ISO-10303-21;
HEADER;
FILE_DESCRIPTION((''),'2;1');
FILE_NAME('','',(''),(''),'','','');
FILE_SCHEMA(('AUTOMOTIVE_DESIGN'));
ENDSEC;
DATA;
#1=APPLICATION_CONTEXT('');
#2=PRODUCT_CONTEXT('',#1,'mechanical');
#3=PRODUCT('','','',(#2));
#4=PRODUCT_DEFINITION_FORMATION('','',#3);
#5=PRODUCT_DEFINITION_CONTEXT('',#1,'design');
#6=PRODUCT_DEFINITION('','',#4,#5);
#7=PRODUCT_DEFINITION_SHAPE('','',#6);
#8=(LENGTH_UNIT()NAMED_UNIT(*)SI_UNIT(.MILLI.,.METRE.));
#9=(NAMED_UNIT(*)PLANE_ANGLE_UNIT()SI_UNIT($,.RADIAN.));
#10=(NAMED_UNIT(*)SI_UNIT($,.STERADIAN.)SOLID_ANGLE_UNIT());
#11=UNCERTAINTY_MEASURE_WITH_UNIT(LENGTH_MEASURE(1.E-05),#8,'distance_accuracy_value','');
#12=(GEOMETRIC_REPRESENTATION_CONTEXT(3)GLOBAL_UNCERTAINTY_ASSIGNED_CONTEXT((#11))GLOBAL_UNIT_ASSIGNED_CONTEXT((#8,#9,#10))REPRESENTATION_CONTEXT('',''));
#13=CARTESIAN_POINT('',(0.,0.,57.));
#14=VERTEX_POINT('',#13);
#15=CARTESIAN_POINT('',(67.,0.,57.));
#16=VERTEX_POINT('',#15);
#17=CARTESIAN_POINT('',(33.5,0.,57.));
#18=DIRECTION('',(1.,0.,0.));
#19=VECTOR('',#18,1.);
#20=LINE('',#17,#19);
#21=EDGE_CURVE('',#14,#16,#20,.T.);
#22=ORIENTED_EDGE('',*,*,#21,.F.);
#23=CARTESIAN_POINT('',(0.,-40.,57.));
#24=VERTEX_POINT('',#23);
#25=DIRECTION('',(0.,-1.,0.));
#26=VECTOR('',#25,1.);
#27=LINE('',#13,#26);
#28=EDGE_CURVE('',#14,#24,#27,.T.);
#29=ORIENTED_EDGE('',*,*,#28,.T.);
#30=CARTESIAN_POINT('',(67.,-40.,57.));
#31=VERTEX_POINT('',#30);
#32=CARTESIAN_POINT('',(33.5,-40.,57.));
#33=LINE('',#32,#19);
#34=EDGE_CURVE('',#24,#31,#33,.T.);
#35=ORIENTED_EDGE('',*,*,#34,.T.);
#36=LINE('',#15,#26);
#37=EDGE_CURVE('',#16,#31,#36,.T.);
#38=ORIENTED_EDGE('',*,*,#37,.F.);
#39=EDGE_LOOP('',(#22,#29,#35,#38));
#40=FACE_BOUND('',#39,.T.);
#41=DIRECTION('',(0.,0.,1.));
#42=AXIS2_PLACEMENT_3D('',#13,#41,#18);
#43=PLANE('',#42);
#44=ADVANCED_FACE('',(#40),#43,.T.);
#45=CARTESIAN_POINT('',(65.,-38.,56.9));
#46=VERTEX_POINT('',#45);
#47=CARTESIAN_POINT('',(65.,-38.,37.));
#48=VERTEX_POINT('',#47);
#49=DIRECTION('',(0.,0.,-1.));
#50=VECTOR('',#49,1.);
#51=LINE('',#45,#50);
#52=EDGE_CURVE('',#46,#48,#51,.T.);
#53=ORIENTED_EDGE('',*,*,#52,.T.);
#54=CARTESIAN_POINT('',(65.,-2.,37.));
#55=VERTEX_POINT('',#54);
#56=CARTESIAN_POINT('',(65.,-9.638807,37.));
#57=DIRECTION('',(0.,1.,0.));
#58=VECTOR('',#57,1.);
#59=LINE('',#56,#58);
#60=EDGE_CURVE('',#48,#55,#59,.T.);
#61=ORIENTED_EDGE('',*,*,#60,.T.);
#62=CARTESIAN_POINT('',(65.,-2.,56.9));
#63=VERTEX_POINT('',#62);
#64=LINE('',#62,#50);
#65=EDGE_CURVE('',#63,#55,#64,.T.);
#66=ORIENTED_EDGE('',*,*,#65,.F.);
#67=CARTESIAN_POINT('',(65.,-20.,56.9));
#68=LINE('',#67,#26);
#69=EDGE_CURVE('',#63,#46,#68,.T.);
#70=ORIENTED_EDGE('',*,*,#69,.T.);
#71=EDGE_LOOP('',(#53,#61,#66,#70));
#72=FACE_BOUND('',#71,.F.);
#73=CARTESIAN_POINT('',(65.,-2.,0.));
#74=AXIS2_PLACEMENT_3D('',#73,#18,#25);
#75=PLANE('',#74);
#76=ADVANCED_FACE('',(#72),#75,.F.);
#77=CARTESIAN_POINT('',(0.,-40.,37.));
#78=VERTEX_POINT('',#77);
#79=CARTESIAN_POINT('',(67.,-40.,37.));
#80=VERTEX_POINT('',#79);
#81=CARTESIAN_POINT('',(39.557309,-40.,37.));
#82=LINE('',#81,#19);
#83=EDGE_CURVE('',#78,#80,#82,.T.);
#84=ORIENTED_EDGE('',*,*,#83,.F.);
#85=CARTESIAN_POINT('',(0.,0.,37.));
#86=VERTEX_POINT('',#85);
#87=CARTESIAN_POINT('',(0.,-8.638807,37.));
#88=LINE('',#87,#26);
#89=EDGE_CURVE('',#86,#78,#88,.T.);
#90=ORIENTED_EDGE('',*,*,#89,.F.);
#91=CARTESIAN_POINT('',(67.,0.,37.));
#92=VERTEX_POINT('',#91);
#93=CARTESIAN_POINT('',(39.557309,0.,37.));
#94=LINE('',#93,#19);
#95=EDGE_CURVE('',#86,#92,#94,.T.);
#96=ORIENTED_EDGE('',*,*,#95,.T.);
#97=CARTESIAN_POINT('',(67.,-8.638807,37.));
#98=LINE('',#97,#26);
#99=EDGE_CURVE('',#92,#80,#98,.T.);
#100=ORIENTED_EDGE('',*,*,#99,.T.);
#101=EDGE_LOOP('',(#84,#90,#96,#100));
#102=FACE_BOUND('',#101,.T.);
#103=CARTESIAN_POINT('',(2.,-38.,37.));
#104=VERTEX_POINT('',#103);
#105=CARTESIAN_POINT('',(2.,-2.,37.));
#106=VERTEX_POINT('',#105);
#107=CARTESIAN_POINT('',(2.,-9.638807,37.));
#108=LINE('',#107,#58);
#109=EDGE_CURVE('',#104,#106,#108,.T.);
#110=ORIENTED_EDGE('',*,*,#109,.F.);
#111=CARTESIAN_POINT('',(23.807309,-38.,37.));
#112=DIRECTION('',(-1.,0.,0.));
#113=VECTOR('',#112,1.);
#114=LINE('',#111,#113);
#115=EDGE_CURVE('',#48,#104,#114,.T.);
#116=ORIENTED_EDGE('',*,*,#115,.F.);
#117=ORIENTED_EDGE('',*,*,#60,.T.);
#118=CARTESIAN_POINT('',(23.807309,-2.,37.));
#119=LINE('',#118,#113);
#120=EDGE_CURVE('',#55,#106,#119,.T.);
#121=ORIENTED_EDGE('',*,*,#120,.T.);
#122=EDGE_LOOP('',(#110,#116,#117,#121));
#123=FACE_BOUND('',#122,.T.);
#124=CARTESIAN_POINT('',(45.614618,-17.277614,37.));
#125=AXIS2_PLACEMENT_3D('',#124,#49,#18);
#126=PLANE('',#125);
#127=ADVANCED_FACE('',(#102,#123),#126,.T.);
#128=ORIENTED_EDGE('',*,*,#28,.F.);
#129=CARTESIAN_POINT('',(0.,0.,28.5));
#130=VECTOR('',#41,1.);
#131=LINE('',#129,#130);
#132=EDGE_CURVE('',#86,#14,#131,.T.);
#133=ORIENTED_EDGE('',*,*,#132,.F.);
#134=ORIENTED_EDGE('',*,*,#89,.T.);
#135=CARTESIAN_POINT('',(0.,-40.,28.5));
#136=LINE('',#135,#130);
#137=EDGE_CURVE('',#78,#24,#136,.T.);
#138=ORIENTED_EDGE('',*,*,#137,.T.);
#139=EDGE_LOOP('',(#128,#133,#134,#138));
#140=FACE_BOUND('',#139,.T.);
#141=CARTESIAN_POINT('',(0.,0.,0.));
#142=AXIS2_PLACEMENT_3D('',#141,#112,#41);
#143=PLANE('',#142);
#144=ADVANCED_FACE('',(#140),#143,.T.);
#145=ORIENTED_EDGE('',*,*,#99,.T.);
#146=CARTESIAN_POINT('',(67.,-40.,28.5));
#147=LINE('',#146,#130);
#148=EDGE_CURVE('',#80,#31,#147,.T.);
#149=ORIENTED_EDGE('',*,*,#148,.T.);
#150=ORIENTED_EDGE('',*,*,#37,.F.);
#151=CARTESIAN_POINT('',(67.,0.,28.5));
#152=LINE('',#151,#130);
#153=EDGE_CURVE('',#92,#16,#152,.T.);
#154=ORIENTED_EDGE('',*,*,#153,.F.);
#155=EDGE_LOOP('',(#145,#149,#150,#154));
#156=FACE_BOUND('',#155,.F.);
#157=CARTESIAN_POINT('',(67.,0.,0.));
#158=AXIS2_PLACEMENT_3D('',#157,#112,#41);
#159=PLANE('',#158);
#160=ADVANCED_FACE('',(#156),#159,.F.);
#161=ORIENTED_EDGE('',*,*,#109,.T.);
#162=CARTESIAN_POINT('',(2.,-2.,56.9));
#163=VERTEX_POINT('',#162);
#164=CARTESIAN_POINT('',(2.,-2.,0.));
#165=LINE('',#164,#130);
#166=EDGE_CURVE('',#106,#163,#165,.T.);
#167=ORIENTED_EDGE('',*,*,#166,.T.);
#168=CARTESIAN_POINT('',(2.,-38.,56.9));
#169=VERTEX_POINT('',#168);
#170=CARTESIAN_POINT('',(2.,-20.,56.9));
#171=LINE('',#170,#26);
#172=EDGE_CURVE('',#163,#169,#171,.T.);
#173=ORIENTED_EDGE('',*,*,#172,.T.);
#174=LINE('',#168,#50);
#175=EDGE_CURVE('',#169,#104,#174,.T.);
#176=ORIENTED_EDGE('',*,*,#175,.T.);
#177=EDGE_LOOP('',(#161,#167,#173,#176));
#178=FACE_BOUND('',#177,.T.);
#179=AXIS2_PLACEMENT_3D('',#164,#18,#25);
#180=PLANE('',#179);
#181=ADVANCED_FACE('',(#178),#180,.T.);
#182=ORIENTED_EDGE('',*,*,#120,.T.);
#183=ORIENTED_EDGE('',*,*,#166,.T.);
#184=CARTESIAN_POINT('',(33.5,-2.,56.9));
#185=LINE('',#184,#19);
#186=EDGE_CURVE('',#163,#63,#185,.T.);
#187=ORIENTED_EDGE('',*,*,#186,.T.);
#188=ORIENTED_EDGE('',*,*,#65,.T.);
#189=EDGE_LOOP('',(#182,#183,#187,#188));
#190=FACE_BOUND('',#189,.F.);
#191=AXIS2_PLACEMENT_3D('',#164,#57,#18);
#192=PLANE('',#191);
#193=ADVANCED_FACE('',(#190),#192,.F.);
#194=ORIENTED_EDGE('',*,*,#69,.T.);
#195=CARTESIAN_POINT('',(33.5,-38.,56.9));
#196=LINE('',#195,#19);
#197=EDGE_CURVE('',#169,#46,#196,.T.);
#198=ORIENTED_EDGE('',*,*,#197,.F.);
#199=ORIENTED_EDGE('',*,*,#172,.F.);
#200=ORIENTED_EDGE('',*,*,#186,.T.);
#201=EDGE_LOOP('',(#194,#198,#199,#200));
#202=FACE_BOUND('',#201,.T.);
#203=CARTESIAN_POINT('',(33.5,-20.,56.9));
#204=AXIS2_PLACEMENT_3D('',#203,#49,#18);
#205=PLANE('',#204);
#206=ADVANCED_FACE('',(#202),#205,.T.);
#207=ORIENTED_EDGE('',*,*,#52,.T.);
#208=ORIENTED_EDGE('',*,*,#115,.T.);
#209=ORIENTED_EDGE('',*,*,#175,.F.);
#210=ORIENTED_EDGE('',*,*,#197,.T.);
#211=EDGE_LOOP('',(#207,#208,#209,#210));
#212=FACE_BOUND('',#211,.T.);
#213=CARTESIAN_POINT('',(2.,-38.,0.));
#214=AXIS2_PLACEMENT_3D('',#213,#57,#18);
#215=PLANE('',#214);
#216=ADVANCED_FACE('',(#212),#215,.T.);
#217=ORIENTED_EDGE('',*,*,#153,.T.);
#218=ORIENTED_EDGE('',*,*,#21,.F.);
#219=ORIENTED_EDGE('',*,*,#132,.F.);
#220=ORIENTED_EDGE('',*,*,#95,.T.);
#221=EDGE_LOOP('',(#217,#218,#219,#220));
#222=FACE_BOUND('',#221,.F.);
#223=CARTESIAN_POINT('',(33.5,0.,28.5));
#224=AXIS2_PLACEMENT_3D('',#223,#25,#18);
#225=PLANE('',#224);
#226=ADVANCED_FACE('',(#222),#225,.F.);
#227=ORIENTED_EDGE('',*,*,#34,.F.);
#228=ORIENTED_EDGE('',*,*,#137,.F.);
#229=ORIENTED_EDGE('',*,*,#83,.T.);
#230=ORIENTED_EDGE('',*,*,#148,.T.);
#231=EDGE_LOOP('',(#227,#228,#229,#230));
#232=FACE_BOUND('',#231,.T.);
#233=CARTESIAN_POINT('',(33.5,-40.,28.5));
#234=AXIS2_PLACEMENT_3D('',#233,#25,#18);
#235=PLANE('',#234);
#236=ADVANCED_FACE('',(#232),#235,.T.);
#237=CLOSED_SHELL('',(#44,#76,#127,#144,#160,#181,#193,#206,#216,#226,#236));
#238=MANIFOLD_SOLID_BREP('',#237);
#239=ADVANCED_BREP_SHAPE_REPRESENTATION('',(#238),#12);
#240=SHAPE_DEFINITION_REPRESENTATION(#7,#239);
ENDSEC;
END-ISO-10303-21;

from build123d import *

# Parameters (mm, degrees)
F0_W     = 67
F0_H     = 57
F1_DEPTH = 40
F2_W     = 63
F2_H     = 36
F3_DEPTH = 55
F4_DEPTH = 56.9
F5_W     = 141.291812
F5_H     = 94.46678
F6_DEPTH = 20
F7_W     = 154.631503
F7_H     = 78.676945
F8_DEPTH = 17


with BuildPart() as f1:
    # F0 (on Front) → F1 (new body)
    with BuildSketch(Plane.XZ):
        with Locations((33.5, 28.5)):
            Rectangle(F0_W, F0_H)
    extrude(amount=F1_DEPTH)

    # F2 (on face) → F3 (cut)
    with BuildSketch(Plane(origin=(0, 0, 0), x_dir=(1, 0, 0), z_dir=(0, 0, -1))):
        with Locations((33.5, 20)):
            Rectangle(F2_W, F2_H)
    extrude(amount=-F3_DEPTH, mode=Mode.SUBTRACT)

    # F2 (on face) → F4 (cut)
    with BuildSketch(Plane(origin=(0, 0, 0), x_dir=(1, 0, 0), z_dir=(0, 0, -1))):
        with Locations((33.5, 20)):
            Rectangle(F2_W, F2_H)
    extrude(amount=-F4_DEPTH, mode=Mode.SUBTRACT)

    # F5 (on face) → F6 (cut)
    with BuildSketch(Plane(origin=(0, 0, 0), x_dir=(1, 0, 0), z_dir=(0, 0, -1))):
        with Locations((35.67791, 20.544475)):
            Rectangle(F5_W, F5_H)
    extrude(amount=-F6_DEPTH, mode=Mode.SUBTRACT)

    # F7 (on face) → F8 (cut)
    with BuildSketch(Plane(origin=(0, 0, 20), x_dir=(1, 0, 0), z_dir=(0, 0, -1))):
        with Locations((45.614618, 17.277614)):
            Rectangle(F7_W, F7_H)
    extrude(amount=-F8_DEPTH, mode=Mode.SUBTRACT)


solid = f1.part
